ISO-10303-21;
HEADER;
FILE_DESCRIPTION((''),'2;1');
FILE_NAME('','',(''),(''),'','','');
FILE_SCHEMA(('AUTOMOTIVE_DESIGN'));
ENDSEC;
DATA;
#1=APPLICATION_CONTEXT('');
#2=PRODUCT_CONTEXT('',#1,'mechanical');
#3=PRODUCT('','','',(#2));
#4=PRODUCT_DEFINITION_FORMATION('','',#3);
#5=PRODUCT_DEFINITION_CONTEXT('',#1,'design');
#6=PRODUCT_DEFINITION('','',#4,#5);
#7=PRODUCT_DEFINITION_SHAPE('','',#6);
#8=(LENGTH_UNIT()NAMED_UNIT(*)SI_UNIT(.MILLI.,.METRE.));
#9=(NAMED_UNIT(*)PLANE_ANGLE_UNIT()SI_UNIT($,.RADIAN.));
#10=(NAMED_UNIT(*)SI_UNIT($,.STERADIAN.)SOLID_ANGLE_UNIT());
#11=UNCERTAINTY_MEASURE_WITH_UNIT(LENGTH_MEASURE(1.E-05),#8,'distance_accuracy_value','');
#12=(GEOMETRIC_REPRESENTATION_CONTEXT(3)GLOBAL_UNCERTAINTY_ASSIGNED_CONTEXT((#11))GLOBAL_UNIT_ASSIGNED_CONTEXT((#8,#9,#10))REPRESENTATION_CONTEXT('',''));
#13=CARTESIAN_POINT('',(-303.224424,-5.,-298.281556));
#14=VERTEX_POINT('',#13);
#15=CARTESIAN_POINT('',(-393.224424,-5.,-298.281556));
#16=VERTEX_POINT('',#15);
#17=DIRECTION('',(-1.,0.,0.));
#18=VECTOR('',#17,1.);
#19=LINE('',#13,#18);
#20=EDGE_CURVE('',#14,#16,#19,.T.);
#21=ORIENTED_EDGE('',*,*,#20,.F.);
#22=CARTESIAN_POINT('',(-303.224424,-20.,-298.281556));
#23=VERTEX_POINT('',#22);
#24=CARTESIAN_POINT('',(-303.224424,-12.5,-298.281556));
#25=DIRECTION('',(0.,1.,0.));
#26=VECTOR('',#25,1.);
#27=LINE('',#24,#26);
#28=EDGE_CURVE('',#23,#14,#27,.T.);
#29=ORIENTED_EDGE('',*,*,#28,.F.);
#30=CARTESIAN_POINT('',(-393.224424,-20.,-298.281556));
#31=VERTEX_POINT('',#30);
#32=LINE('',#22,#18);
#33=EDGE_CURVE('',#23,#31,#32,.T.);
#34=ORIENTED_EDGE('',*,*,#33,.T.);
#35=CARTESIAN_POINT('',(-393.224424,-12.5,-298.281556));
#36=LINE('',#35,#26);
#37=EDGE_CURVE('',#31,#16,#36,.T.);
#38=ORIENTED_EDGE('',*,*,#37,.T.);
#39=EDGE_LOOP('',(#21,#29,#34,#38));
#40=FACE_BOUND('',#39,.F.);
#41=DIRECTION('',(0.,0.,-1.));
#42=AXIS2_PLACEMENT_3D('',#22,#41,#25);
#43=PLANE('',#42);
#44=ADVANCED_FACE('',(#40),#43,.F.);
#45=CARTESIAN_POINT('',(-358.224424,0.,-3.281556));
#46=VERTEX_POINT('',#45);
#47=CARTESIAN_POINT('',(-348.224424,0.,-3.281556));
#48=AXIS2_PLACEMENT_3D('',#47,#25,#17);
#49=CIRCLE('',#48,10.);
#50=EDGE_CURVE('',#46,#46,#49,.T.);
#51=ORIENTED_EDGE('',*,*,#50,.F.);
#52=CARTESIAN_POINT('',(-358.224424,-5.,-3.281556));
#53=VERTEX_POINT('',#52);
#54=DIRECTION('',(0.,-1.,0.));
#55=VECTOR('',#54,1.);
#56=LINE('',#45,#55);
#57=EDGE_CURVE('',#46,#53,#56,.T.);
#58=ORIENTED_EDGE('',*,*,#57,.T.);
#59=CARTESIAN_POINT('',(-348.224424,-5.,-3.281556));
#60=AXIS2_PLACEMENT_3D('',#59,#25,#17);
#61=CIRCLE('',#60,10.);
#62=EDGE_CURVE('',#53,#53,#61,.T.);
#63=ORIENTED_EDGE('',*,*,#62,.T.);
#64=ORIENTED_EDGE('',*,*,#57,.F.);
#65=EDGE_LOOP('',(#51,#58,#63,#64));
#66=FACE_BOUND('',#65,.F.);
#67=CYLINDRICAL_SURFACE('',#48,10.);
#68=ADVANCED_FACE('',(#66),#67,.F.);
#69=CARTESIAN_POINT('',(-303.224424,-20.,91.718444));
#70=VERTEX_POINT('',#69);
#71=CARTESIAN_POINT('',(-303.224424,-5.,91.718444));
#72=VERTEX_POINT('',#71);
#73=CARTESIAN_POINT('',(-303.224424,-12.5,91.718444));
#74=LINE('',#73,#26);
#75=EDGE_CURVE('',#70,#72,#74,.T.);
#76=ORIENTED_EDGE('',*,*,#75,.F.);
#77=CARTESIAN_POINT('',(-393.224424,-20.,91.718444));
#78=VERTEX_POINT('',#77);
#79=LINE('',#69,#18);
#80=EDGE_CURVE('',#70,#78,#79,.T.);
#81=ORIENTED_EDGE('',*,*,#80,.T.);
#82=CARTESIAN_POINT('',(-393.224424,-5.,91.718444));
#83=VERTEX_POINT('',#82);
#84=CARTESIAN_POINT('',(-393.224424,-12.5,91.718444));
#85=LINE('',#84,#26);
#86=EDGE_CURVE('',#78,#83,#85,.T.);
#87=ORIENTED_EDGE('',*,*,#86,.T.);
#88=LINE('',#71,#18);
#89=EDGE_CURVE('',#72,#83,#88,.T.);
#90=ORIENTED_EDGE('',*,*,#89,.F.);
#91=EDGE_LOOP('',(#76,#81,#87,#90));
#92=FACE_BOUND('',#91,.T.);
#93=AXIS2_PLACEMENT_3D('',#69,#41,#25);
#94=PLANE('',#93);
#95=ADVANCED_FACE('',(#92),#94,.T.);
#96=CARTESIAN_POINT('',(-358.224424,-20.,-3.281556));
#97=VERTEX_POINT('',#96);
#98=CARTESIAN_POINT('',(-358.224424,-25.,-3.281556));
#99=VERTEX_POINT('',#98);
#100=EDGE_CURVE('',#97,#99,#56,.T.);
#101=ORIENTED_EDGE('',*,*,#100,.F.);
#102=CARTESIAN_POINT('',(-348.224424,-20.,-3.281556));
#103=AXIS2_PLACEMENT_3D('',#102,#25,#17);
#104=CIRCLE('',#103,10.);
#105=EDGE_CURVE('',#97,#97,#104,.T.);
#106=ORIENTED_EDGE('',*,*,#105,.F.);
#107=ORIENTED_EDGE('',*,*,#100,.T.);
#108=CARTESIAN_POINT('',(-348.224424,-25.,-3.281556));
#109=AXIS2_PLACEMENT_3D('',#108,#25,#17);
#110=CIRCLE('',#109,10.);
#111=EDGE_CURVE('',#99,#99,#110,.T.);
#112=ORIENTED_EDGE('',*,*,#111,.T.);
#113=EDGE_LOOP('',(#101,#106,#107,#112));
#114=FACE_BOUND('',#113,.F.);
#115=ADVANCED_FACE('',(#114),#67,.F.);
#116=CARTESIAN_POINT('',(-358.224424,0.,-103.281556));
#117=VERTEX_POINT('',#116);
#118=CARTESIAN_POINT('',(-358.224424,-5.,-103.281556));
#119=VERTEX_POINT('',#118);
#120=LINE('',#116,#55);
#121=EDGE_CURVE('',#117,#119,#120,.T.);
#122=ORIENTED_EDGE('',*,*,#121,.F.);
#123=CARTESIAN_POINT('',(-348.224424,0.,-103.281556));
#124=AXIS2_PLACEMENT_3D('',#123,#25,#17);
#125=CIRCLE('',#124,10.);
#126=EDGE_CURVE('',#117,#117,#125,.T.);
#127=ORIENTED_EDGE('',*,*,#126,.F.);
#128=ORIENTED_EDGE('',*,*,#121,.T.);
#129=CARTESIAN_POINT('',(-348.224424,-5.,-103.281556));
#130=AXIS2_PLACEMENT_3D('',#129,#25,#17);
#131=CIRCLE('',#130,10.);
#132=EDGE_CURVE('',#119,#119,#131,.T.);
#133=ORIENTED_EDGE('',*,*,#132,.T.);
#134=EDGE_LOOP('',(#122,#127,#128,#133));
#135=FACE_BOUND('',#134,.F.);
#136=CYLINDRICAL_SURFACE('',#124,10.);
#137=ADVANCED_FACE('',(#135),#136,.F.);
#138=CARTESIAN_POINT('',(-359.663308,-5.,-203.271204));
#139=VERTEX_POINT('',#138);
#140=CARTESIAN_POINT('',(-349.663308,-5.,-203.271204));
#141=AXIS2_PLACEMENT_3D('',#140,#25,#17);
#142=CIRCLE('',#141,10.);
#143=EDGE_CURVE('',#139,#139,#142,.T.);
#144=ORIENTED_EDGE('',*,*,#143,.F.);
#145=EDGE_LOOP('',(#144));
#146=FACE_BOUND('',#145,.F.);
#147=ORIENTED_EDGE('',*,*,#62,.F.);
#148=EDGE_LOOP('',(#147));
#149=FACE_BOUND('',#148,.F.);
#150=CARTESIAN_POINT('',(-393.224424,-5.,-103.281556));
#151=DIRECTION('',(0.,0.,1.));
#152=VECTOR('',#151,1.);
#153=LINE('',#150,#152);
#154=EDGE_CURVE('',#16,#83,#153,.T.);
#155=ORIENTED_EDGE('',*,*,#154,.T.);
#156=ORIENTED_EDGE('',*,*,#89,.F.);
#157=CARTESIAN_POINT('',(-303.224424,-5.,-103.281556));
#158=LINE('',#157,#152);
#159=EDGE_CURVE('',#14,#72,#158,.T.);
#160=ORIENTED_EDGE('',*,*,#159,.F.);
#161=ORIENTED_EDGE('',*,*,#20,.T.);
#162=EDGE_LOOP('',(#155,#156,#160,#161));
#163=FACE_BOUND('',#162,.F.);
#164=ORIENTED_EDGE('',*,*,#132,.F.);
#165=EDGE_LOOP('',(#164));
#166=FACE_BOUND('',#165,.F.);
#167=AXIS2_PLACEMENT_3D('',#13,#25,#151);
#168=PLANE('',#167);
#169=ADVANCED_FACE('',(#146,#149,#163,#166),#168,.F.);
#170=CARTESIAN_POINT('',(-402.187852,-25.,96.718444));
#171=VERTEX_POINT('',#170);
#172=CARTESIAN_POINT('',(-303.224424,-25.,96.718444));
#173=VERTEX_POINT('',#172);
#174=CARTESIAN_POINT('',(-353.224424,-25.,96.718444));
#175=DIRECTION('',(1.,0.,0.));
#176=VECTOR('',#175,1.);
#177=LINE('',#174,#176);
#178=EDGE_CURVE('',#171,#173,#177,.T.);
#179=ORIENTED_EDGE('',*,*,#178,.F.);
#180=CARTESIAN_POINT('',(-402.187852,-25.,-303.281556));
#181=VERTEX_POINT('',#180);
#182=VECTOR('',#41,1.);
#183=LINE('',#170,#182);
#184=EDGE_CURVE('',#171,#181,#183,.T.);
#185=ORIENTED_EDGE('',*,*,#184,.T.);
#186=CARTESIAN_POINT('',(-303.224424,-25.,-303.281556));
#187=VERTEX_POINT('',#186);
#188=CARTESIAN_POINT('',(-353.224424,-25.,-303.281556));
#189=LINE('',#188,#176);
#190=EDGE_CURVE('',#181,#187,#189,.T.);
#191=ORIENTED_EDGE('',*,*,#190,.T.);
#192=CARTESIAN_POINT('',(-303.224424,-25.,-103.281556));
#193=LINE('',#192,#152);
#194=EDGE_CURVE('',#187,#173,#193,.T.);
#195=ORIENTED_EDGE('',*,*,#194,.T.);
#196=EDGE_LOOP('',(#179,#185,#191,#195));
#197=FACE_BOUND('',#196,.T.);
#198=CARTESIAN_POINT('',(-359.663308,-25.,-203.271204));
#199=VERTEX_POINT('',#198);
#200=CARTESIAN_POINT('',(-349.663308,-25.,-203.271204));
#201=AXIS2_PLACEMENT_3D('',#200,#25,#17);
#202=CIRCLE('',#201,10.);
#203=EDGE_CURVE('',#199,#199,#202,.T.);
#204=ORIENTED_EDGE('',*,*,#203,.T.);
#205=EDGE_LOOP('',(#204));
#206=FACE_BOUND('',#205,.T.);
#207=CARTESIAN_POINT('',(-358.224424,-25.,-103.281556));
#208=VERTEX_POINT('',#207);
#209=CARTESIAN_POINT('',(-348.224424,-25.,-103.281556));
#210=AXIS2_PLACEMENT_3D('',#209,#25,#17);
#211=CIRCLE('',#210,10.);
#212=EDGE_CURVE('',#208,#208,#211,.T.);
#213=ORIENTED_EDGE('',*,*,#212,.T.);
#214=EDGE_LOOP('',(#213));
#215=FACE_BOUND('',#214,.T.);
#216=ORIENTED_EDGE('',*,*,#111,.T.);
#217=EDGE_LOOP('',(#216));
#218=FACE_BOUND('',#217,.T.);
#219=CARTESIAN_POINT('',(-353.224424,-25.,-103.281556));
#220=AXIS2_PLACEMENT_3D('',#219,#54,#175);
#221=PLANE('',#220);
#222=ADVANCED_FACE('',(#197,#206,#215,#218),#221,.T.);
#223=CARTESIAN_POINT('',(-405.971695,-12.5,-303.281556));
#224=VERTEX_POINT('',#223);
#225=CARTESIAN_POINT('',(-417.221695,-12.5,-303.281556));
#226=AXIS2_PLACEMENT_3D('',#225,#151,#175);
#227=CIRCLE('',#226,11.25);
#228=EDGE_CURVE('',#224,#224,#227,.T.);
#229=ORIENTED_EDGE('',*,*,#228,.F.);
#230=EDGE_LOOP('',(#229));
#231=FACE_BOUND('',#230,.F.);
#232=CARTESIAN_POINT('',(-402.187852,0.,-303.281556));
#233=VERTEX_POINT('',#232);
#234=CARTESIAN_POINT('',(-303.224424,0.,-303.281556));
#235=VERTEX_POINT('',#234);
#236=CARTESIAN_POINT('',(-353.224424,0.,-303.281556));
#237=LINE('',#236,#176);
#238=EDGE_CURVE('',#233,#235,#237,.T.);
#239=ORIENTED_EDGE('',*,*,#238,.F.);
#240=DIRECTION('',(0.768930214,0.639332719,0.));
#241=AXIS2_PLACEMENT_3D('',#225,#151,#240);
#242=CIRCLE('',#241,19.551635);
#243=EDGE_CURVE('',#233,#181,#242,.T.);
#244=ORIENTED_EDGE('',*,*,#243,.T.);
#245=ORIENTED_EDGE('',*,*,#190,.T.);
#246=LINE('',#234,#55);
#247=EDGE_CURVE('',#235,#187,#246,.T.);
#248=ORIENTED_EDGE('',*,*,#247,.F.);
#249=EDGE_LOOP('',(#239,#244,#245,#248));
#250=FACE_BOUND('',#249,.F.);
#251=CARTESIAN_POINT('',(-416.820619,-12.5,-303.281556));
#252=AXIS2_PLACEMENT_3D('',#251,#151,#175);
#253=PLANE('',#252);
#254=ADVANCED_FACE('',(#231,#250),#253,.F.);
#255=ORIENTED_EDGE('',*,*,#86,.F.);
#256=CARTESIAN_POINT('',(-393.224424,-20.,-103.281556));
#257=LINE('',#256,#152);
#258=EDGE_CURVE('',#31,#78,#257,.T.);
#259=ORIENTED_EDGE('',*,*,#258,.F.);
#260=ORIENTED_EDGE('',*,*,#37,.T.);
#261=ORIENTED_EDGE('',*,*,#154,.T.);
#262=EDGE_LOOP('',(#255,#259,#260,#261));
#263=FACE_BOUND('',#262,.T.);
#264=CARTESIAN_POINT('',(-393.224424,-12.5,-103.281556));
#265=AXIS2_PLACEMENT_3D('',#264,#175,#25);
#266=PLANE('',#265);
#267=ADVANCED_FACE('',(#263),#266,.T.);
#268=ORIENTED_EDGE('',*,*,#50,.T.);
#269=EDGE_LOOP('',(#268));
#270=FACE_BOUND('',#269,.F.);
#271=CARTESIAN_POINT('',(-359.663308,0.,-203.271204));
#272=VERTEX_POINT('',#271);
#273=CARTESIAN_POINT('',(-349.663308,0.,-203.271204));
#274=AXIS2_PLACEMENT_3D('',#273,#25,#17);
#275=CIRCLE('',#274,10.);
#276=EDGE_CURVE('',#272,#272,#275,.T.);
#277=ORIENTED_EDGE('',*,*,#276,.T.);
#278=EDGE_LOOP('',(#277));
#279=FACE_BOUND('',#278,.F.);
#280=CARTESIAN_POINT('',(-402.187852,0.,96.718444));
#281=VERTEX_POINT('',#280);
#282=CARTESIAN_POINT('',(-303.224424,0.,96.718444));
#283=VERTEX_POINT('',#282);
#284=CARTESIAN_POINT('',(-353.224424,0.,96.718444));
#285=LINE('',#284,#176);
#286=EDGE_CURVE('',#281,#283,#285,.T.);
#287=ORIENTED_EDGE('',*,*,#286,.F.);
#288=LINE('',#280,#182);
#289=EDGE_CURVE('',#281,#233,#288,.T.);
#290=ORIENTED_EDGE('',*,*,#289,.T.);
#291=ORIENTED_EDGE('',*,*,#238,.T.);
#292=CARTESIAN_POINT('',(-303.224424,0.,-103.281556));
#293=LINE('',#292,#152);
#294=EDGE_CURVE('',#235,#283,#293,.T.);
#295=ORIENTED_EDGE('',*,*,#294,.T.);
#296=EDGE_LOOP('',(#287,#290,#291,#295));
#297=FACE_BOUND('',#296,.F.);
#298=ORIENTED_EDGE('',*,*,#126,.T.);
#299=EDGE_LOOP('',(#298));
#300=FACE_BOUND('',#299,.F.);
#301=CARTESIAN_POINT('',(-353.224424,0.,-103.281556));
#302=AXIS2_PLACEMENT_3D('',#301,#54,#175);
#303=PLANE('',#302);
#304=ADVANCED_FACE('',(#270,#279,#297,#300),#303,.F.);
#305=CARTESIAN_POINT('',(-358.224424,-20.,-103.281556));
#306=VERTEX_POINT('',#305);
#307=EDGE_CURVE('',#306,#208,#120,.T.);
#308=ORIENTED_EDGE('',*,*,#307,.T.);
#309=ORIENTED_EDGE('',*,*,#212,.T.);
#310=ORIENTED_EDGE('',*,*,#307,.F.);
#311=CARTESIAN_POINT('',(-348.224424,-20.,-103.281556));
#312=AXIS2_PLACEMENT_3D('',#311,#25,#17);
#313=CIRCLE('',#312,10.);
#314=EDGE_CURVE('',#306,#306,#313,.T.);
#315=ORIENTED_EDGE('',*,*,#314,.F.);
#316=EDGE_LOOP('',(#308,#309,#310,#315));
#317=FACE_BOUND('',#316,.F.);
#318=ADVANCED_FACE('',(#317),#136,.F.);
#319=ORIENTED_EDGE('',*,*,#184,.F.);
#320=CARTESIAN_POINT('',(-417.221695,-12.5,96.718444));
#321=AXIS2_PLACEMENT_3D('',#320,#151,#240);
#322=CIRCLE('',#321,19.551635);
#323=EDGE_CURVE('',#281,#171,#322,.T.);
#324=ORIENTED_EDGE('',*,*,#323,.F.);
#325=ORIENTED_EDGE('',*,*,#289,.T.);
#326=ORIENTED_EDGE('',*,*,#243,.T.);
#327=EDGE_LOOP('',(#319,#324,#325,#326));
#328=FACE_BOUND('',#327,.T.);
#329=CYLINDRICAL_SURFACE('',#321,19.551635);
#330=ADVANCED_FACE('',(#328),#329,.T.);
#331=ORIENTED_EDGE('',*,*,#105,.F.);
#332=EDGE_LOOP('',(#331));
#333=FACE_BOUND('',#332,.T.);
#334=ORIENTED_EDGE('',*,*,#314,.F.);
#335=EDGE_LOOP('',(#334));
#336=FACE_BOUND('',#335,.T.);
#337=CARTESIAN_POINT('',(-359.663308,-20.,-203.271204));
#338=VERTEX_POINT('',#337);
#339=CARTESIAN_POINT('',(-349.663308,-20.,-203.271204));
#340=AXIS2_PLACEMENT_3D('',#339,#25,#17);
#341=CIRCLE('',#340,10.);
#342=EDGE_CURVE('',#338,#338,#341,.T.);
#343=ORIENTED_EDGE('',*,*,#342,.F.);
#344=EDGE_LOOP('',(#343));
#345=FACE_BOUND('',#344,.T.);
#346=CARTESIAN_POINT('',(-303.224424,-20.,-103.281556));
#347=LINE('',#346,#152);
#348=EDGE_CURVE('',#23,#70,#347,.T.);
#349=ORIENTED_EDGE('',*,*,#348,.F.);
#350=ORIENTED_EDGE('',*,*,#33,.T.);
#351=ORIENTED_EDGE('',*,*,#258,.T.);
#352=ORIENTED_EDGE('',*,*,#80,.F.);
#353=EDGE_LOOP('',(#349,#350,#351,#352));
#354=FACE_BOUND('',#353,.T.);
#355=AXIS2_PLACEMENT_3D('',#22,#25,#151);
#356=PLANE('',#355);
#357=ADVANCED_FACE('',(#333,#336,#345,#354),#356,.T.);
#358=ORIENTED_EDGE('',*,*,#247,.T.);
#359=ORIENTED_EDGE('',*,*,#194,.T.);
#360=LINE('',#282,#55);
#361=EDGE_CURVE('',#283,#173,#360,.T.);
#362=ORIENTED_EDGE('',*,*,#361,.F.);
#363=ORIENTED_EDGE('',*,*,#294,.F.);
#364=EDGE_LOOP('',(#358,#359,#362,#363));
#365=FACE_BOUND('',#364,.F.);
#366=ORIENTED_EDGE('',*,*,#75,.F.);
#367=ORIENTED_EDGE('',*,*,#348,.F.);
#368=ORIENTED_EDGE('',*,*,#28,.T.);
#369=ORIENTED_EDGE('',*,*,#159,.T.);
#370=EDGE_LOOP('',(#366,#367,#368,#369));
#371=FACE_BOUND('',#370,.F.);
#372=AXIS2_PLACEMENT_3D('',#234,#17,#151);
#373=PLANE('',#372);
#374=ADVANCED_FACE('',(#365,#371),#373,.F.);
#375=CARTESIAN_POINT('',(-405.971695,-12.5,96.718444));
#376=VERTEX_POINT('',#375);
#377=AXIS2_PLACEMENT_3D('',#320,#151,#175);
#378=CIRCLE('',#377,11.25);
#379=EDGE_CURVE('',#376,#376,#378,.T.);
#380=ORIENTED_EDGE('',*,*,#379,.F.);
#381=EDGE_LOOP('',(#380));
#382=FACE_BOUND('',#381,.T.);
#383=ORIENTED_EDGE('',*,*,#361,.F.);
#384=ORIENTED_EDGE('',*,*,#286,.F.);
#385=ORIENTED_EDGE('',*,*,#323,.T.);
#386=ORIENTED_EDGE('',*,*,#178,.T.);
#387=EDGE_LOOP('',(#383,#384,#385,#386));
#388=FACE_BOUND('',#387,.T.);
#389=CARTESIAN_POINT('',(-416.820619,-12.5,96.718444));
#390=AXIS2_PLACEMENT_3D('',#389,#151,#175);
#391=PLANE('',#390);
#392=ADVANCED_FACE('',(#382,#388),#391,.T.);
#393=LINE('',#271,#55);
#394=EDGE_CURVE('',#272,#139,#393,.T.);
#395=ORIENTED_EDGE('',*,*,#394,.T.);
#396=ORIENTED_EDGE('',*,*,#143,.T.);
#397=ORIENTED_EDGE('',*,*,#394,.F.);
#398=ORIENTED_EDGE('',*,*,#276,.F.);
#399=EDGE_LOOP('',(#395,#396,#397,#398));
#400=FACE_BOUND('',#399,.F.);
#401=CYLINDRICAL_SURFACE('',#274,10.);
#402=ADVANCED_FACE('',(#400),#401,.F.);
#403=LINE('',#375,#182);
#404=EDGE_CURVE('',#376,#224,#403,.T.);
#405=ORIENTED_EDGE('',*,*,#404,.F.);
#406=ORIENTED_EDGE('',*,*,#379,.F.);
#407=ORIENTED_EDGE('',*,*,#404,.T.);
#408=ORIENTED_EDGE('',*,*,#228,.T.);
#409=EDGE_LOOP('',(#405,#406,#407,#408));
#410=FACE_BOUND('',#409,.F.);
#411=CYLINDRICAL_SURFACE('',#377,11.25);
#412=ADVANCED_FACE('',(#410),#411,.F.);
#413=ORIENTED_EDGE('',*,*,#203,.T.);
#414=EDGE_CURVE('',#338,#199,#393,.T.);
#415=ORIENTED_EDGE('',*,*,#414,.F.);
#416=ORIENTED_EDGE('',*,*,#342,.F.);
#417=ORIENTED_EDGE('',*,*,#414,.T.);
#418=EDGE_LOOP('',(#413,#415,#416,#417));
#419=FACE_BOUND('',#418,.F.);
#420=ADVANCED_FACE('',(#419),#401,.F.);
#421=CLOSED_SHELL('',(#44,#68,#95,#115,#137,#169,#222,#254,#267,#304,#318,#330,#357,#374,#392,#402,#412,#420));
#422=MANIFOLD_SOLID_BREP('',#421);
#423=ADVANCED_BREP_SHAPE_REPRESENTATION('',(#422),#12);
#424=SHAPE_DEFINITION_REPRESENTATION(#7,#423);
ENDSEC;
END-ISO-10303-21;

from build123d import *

# Parameters (mm, degrees)
F0_W     = 100
F0_H     = 400
F1_DEPTH = 25
F2_W     = 15
F2_H     = 390
F3_DEPTH = 90
F4_R     = 10
F5_DEPTH = 1000
F7_DEPTH = 400
F8_R     = 11.25
F9_DEPTH = 500


with BuildPart() as f1:
    # F0 (on Front) → F1 (new body)
    with BuildSketch(Plane.XZ):
        with Locations((-353.224424, -103.281556)):
            Rectangle(F0_W, F0_H)
    extrude(amount=F1_DEPTH)

    # F2 (on face) → F3 (cut)
    with BuildSketch(Plane.YZ.offset(-303.224424)):
        with Locations((-12.5, -103.281556)):
            Rectangle(F2_W, F2_H)
    extrude(amount=-F3_DEPTH, mode=Mode.SUBTRACT)

    # F4 (on face) → F5 (cut)
    with BuildSketch(Plane(origin=(0, 0, 0), x_dir=(-1, 0, 0), z_dir=(0, 1, 0))):
        with Locations((348.224424, -3.281556)):
            Circle(F4_R)
        with Locations((348.224424, -103.281556)):
            Circle(F4_R)
        with Locations((349.663308, -203.271204)):
            Circle(F4_R)
    extrude(amount=-F5_DEPTH, mode=Mode.SUBTRACT)

    # F6 (on face) → F7 (join)
    with BuildSketch(Plane.XY.offset(96.718444)):
        with BuildLine():
            Line((-403.224424, 0), (-402.187852, 0))
            ThreePointArc((-402.187852, 0), (-436.77333, -12.5), (-402.187852, -25))
            Line((-402.187852, -25), (-403.224424, -25))
            Line((-403.224424, -25), (-403.224424, 0))
        make_face()
        with BuildLine():
            ThreePointArc((-402.187852, -25), (-398.834163, -19.145684), (-397.67006, -12.5))
            ThreePointArc((-397.67006, -12.5), (-398.834163, -5.854316), (-402.187852, 0))
            Line((-402.187852, 0), (-403.224424, 0))
            Line((-403.224424, 0), (-403.224424, -25))
            Line((-403.224424, -25), (-402.187852, -25))
        make_face()
    extrude(amount=-F7_DEPTH)

    # F8 (on face) → F9 (cut)
    with BuildSketch(Plane.XY.offset(96.718444)):
        with Locations((-417.221695, -12.5)):
            Circle(F8_R)
    extrude(amount=-F9_DEPTH, mode=Mode.SUBTRACT)


solid = f1.part
